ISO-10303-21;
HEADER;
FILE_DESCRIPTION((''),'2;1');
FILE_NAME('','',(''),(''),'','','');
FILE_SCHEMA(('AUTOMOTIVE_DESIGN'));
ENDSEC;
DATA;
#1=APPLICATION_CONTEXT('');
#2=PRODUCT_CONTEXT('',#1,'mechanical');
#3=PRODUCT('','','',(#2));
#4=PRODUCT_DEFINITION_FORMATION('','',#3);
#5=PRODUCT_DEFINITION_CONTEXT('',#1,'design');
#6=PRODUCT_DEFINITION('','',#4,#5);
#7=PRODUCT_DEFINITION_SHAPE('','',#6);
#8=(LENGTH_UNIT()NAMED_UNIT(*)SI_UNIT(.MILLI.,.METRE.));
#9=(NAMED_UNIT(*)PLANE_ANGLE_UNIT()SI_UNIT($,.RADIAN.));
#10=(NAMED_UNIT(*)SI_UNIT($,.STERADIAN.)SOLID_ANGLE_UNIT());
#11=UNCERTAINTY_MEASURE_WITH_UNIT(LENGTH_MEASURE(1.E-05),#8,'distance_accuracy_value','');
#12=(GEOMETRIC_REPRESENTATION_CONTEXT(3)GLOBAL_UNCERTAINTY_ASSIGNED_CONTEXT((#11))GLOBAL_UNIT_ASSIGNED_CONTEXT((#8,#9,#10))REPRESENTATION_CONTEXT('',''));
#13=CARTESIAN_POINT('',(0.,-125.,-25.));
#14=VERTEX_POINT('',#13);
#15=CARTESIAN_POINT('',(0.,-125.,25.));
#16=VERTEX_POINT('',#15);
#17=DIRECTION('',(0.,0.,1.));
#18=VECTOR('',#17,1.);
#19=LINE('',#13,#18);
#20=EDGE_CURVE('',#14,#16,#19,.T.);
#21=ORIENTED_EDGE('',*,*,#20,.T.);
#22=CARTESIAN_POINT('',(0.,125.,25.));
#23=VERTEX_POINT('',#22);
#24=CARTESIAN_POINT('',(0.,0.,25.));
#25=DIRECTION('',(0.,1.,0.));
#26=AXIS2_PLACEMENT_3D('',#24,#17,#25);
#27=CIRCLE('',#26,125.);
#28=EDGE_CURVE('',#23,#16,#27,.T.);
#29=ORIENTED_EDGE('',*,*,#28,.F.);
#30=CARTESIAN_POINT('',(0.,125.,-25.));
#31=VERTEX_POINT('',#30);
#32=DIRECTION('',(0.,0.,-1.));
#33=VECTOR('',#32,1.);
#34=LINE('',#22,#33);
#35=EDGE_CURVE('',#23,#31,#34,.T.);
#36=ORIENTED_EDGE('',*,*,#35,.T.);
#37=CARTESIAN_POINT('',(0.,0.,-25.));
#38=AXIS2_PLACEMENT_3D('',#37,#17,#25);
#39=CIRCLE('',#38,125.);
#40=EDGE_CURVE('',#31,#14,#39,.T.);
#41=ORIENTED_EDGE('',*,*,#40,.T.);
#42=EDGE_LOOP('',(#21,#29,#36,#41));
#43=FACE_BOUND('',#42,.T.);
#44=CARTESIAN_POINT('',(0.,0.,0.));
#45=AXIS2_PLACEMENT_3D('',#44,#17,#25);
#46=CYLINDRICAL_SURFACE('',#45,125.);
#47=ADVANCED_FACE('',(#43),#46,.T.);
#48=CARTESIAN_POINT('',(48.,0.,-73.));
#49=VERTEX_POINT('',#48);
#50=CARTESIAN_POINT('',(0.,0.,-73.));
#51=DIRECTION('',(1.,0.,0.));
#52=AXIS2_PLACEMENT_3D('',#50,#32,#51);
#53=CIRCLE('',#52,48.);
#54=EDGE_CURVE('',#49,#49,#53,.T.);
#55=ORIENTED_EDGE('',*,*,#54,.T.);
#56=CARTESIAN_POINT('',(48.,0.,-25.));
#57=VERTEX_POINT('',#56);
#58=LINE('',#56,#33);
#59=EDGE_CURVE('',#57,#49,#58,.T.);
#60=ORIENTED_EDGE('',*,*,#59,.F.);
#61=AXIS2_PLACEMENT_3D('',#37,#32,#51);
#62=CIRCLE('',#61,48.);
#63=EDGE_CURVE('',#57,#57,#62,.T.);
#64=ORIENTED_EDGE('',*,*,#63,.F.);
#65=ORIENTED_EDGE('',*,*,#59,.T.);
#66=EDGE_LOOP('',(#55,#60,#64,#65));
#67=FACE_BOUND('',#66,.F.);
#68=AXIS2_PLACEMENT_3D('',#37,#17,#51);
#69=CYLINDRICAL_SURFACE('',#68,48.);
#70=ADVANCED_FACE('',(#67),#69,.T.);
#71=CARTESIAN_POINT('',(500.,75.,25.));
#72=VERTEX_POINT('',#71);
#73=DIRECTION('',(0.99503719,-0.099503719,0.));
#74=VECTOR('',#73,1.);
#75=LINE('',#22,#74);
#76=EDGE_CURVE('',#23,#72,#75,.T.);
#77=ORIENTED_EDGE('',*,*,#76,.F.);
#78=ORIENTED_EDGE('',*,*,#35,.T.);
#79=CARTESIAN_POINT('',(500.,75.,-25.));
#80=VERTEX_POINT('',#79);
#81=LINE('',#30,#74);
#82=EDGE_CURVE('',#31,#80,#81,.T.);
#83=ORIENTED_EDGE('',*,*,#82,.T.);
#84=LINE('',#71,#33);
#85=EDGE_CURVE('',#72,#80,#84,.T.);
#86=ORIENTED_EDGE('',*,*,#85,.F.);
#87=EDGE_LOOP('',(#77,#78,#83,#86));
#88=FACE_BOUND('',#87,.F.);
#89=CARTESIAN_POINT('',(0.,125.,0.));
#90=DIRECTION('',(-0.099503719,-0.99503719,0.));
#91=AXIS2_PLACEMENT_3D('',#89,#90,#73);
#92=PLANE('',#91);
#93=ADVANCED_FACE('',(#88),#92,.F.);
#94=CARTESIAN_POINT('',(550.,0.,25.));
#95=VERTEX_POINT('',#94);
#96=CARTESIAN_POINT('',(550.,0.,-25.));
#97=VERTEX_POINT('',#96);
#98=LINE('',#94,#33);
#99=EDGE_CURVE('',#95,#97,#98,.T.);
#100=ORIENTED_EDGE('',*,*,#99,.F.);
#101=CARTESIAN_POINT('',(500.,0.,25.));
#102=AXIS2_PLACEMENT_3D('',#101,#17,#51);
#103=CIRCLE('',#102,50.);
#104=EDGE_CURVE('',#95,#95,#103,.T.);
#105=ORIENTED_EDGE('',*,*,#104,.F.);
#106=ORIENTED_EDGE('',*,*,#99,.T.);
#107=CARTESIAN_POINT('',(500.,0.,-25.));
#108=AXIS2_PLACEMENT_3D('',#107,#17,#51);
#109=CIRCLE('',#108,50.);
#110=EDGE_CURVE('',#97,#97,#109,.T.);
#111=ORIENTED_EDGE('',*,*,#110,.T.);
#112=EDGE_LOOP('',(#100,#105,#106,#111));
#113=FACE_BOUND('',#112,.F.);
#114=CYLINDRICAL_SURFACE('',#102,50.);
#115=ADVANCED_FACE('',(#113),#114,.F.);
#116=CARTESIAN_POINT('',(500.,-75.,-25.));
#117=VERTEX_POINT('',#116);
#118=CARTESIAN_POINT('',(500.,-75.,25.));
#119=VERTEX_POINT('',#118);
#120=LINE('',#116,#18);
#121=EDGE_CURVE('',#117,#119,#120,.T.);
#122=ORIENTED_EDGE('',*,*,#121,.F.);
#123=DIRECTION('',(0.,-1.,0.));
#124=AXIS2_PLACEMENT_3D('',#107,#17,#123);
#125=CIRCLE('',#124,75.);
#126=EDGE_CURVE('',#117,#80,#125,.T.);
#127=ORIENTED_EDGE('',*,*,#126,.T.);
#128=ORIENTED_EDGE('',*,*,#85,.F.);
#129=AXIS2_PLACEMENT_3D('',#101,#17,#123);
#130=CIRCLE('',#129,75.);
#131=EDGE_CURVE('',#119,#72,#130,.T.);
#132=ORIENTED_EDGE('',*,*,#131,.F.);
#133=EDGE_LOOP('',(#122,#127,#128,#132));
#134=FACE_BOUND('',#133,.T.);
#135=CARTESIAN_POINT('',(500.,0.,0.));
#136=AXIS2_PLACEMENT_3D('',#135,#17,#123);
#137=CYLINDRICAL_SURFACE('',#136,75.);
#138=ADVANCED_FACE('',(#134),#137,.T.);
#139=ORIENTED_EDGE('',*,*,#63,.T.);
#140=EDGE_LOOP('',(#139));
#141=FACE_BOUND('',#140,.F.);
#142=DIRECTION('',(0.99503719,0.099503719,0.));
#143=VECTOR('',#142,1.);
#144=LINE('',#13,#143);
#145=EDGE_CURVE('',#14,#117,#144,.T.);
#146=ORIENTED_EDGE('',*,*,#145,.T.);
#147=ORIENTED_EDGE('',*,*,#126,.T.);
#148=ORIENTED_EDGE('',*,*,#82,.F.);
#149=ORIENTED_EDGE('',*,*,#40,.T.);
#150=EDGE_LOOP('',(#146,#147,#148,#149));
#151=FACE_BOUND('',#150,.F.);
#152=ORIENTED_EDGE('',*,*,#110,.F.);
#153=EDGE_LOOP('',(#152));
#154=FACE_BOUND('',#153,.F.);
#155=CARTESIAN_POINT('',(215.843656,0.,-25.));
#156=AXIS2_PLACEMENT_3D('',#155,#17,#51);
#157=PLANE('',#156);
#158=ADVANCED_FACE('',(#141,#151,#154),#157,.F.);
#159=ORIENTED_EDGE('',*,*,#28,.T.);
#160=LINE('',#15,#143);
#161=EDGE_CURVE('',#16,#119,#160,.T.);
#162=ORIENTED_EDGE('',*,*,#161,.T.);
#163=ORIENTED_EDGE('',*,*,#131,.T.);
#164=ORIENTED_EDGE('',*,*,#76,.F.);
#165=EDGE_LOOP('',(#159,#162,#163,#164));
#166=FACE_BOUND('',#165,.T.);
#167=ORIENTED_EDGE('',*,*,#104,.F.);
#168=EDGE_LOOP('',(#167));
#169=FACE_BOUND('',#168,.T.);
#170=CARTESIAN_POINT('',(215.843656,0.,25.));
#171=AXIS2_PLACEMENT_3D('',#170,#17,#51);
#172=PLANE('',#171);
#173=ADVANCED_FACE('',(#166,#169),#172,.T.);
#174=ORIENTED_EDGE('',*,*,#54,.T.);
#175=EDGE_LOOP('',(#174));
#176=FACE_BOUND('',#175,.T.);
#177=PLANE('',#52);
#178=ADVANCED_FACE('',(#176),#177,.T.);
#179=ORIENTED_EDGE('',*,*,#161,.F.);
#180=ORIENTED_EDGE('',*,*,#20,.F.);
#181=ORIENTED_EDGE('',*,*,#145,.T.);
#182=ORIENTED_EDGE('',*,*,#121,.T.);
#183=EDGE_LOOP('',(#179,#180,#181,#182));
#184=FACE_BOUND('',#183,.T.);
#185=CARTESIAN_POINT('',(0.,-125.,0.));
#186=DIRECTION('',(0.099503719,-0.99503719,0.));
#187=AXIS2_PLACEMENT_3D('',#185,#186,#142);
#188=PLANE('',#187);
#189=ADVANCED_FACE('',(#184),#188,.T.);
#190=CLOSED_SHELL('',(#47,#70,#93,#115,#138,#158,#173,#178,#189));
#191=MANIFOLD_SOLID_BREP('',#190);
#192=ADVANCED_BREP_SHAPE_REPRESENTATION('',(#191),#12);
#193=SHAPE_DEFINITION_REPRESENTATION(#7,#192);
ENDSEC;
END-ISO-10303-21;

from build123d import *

# Parameters (mm, degrees)
PAD_DEPTH    = 25
SKETCH001_R  = 48
PAD001_DEPTH = 48
SKETCH002_R  = 50
POCKET_DEPTH = 51


with BuildPart() as part:
    # Sketch → Pad (new body, symmetric)
    with BuildSketch(Plane.XY):
        with BuildLine():
            ThreePointArc((0, 125), (-125, 0), (0, -125))
            Line((0, -125), (500, -75))
            ThreePointArc((500, -75), (575, 0), (500, 75))
            Line((0, 125), (500, 75))
        make_face()
    extrude(amount=PAD_DEPTH, both=True)

    # Sketch001 (on Face5 of Pad) → Pad001 (join)
    with BuildSketch(Plane(origin=(0, 0, -25), x_dir=(1, 0, 0), z_dir=(0, 0, -1))):
        Circle(SKETCH001_R)
    extrude(amount=PAD001_DEPTH)

    # Sketch002 (on Face5 of Pad001) → Pocket (cut)
    with BuildSketch(Plane.XY.offset(25)):
        with Locations((500, 0)):
            Circle(SKETCH002_R)
    extrude(amount=-POCKET_DEPTH, mode=Mode.SUBTRACT)


solid = part.part
